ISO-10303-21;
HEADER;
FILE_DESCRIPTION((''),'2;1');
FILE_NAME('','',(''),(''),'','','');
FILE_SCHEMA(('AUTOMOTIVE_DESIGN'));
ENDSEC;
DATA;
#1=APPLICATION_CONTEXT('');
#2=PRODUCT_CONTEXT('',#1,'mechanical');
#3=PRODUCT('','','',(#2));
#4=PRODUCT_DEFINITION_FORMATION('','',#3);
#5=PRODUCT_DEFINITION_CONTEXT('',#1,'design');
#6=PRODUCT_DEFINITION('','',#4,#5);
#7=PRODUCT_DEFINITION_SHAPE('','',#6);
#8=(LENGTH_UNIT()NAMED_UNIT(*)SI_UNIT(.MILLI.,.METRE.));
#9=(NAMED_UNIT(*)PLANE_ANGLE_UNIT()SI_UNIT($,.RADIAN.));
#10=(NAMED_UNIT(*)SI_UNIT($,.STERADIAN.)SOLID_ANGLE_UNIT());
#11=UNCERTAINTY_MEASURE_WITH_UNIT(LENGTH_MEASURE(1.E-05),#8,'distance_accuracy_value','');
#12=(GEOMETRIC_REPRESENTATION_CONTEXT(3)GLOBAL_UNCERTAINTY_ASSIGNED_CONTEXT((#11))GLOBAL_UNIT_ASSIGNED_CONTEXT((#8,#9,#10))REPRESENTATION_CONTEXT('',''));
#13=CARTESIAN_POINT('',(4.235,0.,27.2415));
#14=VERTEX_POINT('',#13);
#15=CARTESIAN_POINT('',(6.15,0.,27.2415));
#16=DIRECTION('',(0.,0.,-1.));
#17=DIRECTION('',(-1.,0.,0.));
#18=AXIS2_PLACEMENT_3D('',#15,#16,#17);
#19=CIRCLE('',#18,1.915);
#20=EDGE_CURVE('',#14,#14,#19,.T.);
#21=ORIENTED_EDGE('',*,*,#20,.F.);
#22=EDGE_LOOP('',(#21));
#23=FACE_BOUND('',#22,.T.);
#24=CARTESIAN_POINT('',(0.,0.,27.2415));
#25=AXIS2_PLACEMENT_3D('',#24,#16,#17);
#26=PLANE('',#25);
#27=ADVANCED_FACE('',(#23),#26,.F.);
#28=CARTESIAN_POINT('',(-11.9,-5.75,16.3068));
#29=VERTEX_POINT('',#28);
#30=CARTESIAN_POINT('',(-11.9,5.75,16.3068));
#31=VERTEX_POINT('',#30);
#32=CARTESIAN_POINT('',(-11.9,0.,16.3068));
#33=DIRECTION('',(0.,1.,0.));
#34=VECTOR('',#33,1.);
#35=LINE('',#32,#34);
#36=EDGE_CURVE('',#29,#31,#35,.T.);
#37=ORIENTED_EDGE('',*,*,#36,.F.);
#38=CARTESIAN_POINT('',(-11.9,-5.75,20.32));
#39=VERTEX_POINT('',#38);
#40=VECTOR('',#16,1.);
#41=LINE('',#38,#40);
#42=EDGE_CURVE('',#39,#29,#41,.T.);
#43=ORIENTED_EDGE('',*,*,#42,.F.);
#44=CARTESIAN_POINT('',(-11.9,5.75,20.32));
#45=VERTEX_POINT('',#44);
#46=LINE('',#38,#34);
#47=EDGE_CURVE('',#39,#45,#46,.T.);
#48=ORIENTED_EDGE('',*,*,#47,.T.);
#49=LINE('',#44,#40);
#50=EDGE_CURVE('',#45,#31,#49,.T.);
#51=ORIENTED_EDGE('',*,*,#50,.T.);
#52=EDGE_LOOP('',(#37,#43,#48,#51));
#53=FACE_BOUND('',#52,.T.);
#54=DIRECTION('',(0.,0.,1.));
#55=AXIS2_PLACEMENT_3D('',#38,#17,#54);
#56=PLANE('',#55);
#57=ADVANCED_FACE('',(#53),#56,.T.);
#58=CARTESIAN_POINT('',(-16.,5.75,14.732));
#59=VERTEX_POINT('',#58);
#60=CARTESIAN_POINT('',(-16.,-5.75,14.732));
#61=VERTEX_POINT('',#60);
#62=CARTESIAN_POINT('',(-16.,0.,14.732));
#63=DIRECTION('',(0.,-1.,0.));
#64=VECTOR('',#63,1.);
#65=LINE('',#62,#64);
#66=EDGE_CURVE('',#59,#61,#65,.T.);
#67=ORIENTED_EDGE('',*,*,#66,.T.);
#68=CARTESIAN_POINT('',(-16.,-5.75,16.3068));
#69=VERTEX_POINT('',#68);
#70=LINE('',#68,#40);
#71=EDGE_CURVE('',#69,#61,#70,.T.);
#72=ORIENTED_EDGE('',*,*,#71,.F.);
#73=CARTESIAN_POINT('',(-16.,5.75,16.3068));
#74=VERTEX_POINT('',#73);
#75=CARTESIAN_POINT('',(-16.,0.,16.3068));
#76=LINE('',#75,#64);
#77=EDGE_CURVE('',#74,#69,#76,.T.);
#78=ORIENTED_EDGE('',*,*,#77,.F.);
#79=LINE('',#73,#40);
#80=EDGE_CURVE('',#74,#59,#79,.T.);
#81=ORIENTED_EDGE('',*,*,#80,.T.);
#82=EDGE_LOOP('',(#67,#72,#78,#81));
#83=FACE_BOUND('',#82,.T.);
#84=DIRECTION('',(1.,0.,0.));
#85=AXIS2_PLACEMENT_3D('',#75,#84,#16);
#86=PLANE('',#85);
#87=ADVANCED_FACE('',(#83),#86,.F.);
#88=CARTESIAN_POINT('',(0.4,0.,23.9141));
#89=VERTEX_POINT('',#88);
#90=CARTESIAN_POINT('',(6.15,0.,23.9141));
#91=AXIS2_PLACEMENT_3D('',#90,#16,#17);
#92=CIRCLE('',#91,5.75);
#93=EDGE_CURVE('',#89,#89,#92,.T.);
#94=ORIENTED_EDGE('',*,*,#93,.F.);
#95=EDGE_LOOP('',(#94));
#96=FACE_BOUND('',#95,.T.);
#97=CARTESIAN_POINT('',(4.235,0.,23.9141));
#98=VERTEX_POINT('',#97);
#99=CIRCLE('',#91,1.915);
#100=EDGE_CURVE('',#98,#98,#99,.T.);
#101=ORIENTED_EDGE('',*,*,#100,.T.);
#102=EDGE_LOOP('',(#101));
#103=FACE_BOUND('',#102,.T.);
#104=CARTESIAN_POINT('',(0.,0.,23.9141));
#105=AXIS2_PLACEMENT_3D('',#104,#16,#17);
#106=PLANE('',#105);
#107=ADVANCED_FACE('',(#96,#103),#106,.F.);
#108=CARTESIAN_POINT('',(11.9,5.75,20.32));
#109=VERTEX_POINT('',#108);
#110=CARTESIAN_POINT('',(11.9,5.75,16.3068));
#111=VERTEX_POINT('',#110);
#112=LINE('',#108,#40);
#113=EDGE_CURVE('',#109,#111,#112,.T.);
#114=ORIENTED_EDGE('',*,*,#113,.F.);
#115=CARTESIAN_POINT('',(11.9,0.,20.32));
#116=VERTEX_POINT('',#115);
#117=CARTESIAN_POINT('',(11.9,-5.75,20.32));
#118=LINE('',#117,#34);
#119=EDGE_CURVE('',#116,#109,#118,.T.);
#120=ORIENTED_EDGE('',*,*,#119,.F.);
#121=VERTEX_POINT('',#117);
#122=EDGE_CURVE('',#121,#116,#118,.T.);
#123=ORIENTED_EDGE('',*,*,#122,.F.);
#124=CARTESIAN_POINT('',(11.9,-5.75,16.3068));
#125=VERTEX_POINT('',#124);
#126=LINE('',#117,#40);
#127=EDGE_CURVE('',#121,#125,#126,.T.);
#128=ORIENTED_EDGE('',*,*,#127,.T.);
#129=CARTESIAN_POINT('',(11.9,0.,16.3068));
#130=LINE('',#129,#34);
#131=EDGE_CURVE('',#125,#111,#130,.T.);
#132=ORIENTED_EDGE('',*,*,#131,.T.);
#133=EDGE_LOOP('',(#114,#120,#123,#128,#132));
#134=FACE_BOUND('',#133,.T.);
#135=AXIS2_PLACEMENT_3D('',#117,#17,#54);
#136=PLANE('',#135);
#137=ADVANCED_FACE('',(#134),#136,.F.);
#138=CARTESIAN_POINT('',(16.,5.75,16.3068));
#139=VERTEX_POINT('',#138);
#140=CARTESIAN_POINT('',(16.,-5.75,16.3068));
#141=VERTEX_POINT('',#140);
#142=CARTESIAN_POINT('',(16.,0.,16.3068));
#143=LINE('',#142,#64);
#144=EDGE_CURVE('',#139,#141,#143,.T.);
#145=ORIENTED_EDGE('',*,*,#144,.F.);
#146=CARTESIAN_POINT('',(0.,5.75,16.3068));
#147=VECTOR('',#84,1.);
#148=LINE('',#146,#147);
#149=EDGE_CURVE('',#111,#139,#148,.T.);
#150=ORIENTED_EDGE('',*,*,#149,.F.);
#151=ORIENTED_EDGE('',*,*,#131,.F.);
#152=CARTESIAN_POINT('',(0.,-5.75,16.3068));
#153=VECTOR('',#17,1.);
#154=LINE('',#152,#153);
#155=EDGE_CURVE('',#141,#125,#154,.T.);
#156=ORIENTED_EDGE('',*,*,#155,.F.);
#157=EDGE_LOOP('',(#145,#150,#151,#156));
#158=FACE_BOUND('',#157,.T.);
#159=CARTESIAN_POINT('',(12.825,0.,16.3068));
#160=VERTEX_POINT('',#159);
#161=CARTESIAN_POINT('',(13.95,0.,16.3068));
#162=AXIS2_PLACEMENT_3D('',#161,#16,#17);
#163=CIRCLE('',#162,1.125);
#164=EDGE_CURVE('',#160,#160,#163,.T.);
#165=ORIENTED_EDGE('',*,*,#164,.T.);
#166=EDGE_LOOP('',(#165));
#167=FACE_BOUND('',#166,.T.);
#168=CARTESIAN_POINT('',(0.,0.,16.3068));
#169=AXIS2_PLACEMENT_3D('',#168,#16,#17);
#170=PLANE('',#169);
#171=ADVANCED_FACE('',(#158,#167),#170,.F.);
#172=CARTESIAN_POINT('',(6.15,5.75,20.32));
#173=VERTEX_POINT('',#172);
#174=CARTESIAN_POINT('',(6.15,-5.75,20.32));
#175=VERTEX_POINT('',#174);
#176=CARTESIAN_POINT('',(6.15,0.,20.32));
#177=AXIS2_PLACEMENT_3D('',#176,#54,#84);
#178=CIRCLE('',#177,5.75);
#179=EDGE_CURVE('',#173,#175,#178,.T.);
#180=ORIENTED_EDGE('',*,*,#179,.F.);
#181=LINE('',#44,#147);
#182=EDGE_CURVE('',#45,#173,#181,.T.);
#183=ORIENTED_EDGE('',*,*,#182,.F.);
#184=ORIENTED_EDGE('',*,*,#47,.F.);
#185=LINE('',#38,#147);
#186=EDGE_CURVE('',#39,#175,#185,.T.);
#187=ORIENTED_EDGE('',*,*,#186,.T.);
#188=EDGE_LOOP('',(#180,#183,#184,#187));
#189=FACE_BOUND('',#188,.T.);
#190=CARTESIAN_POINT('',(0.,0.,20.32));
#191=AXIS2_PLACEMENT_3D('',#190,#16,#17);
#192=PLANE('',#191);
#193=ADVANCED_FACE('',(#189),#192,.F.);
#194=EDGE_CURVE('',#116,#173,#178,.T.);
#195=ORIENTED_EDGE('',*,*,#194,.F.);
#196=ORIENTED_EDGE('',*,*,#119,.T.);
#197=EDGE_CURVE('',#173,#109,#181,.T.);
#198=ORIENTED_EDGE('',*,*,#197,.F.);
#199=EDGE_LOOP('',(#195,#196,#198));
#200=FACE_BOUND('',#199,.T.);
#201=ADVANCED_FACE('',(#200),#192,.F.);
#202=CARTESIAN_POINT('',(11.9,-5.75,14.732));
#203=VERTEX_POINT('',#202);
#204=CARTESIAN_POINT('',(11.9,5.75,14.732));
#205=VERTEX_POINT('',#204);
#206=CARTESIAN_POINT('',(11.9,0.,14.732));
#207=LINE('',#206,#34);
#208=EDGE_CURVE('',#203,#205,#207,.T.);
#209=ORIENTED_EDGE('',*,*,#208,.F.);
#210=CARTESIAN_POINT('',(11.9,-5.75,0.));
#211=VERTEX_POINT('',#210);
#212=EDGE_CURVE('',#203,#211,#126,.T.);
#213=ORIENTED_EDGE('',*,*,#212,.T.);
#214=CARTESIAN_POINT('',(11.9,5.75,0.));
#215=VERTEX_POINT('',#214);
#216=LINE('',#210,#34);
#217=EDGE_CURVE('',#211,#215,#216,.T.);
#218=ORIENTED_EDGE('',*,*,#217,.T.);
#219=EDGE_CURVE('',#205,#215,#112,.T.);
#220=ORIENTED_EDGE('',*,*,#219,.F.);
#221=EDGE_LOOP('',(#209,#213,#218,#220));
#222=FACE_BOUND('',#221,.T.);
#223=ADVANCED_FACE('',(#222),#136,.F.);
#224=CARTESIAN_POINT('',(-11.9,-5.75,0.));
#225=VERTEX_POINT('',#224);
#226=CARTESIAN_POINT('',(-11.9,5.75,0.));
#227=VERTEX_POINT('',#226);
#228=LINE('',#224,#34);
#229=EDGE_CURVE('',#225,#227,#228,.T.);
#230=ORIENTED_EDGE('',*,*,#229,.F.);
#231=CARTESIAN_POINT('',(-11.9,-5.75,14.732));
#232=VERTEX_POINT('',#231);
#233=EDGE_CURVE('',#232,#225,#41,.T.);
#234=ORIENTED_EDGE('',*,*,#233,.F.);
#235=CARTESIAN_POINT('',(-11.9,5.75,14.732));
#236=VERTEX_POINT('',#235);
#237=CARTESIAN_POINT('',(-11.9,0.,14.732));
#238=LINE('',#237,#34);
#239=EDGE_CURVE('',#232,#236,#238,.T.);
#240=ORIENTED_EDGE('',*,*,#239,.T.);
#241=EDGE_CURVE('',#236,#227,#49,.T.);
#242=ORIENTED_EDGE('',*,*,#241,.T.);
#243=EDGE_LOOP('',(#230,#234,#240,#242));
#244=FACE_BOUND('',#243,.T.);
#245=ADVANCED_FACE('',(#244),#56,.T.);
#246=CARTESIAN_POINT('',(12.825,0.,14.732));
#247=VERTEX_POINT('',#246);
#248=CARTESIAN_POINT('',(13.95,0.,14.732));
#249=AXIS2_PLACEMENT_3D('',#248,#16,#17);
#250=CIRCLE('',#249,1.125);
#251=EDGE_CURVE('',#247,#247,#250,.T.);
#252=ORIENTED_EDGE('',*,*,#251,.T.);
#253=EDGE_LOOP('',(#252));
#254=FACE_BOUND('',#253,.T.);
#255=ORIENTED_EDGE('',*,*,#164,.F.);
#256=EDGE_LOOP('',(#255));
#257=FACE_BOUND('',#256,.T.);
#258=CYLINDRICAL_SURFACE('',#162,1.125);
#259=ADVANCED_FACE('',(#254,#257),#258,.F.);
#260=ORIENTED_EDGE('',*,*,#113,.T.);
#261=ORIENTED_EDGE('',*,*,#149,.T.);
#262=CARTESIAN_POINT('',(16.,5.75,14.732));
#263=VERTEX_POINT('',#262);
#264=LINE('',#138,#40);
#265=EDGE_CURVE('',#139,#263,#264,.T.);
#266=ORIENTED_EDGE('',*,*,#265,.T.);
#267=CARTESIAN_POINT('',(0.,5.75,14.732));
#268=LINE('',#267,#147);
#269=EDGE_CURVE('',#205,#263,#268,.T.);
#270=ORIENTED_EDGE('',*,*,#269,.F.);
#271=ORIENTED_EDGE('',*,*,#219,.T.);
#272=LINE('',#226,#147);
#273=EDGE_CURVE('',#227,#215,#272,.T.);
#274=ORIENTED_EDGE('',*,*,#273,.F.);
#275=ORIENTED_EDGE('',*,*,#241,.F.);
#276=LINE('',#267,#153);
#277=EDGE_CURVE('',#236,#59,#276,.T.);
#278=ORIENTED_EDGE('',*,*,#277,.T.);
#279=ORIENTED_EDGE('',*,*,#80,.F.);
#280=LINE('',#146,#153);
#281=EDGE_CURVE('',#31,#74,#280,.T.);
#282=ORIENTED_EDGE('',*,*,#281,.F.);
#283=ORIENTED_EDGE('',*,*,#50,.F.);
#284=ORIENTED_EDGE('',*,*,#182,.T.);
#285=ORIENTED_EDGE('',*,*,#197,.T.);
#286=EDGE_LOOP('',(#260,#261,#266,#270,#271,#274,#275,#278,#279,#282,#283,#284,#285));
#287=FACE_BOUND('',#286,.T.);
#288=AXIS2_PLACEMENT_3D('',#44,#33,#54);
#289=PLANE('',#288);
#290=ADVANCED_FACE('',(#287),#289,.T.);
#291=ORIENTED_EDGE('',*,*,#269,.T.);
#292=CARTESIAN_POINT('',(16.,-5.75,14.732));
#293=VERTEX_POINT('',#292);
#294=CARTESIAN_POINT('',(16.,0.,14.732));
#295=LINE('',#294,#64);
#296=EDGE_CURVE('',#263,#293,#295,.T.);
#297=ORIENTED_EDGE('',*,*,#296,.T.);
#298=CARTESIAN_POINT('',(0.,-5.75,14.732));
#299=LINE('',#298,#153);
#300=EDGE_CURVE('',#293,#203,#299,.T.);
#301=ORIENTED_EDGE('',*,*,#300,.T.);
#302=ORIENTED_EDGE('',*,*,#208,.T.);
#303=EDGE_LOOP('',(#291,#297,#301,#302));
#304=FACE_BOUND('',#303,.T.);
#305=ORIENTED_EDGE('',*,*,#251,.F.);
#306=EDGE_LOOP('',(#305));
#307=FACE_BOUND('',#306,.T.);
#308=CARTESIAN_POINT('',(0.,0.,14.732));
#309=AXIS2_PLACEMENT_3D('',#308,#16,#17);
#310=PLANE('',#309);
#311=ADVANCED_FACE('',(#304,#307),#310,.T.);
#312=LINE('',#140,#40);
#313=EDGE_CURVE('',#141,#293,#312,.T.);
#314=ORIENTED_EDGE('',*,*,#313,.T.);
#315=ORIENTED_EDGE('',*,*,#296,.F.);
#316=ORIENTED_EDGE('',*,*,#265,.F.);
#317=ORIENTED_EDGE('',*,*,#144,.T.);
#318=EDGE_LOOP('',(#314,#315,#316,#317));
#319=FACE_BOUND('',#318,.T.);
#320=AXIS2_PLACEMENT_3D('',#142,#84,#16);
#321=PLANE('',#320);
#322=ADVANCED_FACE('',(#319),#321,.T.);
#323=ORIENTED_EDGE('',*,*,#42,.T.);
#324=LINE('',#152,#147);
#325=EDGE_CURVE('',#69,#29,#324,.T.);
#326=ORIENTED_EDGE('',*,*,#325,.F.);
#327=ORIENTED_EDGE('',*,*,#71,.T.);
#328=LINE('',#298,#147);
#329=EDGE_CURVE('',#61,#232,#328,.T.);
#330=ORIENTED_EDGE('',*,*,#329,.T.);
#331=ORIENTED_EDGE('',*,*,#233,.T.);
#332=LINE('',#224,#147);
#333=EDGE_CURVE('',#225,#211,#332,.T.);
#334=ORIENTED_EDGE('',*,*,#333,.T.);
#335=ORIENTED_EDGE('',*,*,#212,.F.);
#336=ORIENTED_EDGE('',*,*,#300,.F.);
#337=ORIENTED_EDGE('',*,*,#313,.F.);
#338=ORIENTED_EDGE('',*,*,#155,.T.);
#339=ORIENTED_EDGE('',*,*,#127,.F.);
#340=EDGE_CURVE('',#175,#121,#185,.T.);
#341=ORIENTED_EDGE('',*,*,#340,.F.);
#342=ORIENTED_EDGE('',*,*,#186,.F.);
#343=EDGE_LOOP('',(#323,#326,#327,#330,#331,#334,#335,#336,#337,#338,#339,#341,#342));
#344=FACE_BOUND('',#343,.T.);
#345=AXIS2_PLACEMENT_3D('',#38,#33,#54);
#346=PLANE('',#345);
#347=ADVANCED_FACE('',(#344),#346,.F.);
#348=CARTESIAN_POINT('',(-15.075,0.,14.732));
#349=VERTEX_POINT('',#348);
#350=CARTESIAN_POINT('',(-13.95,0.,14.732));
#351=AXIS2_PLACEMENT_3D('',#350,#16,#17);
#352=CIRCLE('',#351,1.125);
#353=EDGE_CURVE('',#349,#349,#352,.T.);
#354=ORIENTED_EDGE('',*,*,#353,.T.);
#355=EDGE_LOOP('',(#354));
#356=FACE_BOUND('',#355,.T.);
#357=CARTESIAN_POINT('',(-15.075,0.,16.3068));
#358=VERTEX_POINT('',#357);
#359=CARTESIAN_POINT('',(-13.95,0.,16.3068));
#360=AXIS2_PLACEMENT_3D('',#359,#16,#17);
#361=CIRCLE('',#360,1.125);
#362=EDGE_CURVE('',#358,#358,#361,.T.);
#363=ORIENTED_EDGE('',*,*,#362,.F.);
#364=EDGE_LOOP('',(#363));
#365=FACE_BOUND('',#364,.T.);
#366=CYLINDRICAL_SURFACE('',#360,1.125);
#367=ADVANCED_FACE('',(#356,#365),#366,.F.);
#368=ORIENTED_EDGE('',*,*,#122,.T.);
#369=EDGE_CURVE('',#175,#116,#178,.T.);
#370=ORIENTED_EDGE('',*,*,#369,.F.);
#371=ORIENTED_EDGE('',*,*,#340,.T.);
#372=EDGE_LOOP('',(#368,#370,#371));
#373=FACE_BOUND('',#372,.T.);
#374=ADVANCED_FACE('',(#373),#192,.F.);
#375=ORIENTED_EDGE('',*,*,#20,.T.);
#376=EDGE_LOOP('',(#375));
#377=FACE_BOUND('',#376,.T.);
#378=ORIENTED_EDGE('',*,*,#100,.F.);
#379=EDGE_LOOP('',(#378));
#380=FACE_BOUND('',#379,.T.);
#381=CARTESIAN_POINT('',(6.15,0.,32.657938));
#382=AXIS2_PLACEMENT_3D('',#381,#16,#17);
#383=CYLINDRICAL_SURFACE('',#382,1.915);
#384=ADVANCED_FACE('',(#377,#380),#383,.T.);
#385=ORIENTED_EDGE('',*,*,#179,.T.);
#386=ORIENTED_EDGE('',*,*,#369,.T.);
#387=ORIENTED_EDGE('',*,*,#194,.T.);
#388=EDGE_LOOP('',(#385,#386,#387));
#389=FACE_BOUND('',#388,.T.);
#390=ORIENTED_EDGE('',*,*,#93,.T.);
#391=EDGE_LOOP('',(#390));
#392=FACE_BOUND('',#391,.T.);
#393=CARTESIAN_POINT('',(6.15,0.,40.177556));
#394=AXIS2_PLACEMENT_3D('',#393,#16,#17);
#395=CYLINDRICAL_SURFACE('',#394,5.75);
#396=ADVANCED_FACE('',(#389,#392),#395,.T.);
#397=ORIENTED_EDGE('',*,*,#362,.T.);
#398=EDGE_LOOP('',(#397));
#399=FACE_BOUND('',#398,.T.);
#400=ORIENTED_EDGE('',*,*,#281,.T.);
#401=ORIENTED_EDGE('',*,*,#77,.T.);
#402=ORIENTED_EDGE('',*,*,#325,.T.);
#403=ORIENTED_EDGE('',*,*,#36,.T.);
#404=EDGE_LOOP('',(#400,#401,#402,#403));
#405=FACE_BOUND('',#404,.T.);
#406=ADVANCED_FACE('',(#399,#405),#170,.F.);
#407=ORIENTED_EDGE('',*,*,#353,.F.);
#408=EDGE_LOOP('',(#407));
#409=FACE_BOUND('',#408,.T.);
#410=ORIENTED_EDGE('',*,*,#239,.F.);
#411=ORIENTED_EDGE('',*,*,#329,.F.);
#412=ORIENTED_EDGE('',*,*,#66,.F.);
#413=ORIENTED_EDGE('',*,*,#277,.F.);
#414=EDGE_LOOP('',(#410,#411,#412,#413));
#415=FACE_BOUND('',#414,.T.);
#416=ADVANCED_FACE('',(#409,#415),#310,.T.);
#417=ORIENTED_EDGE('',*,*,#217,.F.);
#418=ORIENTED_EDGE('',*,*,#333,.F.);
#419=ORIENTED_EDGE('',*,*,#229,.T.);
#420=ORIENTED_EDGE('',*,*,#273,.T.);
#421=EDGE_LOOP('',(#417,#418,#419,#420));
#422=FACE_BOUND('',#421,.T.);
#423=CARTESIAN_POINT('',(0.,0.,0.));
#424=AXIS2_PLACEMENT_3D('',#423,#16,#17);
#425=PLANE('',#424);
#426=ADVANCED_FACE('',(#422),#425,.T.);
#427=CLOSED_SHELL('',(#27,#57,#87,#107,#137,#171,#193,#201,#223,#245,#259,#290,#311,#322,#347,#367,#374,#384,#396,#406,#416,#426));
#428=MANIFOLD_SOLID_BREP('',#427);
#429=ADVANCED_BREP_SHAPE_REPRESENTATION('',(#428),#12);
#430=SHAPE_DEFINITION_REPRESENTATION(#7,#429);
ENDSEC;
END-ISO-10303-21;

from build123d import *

# Parameters (mm, degrees)
SKETCH1_W           = 23.8
SKETCH1_H           = 11.5
BODY_DEPTH          = 20.32
SKETCH2_W           = 4.1
SKETCH2_H           = 11.5
SKETCH2_R           = 1.125
BOSS_EXTRUDE2_DEPTH = 1.5748
SKETCH3_R           = 1.915
BOSS_EXTRUDE3_DEPTH = 6.9215
SKETCH4_R           = 5.75
BOSS_EXTRUDE4_DEPTH = 3.5941


with BuildPart() as part:
    # Sketch1 → Body (new body)
    with BuildSketch(Plane.XY):
        Rectangle(SKETCH1_W, SKETCH1_H)
    extrude(amount=BODY_DEPTH)

    # Sketch2 → Boss-Extrude2 (add)
    with BuildSketch(Plane(origin=(0, 0, 14.732), x_dir=(-1, 0, 0), z_dir=(0, 0, -1))):
        with Locations((13.95, 0)):
            Rectangle(SKETCH2_W, SKETCH2_H)
        with Locations((13.95, 0)):
            Circle(SKETCH2_R, mode=Mode.SUBTRACT)
        with Locations((-13.95, 0)):
            Rectangle(SKETCH2_W, SKETCH2_H)
        with Locations((-13.95, 0)):
            Circle(SKETCH2_R, mode=Mode.SUBTRACT)
    extrude(amount=-BOSS_EXTRUDE2_DEPTH)

    # Sketch3 → Boss-Extrude3 (add)
    with BuildSketch(Plane.XY.offset(20.32)):
        with Locations((6.15, 0)):
            Circle(SKETCH3_R)
    extrude(amount=BOSS_EXTRUDE3_DEPTH)

    # Sketch4 → Boss-Extrude4 (add)
    with BuildSketch(Plane.XY.offset(20.32)):
        with Locations((6.15, 0)):
            Circle(SKETCH4_R)
    extrude(amount=BOSS_EXTRUDE4_DEPTH)


solid = part.part
